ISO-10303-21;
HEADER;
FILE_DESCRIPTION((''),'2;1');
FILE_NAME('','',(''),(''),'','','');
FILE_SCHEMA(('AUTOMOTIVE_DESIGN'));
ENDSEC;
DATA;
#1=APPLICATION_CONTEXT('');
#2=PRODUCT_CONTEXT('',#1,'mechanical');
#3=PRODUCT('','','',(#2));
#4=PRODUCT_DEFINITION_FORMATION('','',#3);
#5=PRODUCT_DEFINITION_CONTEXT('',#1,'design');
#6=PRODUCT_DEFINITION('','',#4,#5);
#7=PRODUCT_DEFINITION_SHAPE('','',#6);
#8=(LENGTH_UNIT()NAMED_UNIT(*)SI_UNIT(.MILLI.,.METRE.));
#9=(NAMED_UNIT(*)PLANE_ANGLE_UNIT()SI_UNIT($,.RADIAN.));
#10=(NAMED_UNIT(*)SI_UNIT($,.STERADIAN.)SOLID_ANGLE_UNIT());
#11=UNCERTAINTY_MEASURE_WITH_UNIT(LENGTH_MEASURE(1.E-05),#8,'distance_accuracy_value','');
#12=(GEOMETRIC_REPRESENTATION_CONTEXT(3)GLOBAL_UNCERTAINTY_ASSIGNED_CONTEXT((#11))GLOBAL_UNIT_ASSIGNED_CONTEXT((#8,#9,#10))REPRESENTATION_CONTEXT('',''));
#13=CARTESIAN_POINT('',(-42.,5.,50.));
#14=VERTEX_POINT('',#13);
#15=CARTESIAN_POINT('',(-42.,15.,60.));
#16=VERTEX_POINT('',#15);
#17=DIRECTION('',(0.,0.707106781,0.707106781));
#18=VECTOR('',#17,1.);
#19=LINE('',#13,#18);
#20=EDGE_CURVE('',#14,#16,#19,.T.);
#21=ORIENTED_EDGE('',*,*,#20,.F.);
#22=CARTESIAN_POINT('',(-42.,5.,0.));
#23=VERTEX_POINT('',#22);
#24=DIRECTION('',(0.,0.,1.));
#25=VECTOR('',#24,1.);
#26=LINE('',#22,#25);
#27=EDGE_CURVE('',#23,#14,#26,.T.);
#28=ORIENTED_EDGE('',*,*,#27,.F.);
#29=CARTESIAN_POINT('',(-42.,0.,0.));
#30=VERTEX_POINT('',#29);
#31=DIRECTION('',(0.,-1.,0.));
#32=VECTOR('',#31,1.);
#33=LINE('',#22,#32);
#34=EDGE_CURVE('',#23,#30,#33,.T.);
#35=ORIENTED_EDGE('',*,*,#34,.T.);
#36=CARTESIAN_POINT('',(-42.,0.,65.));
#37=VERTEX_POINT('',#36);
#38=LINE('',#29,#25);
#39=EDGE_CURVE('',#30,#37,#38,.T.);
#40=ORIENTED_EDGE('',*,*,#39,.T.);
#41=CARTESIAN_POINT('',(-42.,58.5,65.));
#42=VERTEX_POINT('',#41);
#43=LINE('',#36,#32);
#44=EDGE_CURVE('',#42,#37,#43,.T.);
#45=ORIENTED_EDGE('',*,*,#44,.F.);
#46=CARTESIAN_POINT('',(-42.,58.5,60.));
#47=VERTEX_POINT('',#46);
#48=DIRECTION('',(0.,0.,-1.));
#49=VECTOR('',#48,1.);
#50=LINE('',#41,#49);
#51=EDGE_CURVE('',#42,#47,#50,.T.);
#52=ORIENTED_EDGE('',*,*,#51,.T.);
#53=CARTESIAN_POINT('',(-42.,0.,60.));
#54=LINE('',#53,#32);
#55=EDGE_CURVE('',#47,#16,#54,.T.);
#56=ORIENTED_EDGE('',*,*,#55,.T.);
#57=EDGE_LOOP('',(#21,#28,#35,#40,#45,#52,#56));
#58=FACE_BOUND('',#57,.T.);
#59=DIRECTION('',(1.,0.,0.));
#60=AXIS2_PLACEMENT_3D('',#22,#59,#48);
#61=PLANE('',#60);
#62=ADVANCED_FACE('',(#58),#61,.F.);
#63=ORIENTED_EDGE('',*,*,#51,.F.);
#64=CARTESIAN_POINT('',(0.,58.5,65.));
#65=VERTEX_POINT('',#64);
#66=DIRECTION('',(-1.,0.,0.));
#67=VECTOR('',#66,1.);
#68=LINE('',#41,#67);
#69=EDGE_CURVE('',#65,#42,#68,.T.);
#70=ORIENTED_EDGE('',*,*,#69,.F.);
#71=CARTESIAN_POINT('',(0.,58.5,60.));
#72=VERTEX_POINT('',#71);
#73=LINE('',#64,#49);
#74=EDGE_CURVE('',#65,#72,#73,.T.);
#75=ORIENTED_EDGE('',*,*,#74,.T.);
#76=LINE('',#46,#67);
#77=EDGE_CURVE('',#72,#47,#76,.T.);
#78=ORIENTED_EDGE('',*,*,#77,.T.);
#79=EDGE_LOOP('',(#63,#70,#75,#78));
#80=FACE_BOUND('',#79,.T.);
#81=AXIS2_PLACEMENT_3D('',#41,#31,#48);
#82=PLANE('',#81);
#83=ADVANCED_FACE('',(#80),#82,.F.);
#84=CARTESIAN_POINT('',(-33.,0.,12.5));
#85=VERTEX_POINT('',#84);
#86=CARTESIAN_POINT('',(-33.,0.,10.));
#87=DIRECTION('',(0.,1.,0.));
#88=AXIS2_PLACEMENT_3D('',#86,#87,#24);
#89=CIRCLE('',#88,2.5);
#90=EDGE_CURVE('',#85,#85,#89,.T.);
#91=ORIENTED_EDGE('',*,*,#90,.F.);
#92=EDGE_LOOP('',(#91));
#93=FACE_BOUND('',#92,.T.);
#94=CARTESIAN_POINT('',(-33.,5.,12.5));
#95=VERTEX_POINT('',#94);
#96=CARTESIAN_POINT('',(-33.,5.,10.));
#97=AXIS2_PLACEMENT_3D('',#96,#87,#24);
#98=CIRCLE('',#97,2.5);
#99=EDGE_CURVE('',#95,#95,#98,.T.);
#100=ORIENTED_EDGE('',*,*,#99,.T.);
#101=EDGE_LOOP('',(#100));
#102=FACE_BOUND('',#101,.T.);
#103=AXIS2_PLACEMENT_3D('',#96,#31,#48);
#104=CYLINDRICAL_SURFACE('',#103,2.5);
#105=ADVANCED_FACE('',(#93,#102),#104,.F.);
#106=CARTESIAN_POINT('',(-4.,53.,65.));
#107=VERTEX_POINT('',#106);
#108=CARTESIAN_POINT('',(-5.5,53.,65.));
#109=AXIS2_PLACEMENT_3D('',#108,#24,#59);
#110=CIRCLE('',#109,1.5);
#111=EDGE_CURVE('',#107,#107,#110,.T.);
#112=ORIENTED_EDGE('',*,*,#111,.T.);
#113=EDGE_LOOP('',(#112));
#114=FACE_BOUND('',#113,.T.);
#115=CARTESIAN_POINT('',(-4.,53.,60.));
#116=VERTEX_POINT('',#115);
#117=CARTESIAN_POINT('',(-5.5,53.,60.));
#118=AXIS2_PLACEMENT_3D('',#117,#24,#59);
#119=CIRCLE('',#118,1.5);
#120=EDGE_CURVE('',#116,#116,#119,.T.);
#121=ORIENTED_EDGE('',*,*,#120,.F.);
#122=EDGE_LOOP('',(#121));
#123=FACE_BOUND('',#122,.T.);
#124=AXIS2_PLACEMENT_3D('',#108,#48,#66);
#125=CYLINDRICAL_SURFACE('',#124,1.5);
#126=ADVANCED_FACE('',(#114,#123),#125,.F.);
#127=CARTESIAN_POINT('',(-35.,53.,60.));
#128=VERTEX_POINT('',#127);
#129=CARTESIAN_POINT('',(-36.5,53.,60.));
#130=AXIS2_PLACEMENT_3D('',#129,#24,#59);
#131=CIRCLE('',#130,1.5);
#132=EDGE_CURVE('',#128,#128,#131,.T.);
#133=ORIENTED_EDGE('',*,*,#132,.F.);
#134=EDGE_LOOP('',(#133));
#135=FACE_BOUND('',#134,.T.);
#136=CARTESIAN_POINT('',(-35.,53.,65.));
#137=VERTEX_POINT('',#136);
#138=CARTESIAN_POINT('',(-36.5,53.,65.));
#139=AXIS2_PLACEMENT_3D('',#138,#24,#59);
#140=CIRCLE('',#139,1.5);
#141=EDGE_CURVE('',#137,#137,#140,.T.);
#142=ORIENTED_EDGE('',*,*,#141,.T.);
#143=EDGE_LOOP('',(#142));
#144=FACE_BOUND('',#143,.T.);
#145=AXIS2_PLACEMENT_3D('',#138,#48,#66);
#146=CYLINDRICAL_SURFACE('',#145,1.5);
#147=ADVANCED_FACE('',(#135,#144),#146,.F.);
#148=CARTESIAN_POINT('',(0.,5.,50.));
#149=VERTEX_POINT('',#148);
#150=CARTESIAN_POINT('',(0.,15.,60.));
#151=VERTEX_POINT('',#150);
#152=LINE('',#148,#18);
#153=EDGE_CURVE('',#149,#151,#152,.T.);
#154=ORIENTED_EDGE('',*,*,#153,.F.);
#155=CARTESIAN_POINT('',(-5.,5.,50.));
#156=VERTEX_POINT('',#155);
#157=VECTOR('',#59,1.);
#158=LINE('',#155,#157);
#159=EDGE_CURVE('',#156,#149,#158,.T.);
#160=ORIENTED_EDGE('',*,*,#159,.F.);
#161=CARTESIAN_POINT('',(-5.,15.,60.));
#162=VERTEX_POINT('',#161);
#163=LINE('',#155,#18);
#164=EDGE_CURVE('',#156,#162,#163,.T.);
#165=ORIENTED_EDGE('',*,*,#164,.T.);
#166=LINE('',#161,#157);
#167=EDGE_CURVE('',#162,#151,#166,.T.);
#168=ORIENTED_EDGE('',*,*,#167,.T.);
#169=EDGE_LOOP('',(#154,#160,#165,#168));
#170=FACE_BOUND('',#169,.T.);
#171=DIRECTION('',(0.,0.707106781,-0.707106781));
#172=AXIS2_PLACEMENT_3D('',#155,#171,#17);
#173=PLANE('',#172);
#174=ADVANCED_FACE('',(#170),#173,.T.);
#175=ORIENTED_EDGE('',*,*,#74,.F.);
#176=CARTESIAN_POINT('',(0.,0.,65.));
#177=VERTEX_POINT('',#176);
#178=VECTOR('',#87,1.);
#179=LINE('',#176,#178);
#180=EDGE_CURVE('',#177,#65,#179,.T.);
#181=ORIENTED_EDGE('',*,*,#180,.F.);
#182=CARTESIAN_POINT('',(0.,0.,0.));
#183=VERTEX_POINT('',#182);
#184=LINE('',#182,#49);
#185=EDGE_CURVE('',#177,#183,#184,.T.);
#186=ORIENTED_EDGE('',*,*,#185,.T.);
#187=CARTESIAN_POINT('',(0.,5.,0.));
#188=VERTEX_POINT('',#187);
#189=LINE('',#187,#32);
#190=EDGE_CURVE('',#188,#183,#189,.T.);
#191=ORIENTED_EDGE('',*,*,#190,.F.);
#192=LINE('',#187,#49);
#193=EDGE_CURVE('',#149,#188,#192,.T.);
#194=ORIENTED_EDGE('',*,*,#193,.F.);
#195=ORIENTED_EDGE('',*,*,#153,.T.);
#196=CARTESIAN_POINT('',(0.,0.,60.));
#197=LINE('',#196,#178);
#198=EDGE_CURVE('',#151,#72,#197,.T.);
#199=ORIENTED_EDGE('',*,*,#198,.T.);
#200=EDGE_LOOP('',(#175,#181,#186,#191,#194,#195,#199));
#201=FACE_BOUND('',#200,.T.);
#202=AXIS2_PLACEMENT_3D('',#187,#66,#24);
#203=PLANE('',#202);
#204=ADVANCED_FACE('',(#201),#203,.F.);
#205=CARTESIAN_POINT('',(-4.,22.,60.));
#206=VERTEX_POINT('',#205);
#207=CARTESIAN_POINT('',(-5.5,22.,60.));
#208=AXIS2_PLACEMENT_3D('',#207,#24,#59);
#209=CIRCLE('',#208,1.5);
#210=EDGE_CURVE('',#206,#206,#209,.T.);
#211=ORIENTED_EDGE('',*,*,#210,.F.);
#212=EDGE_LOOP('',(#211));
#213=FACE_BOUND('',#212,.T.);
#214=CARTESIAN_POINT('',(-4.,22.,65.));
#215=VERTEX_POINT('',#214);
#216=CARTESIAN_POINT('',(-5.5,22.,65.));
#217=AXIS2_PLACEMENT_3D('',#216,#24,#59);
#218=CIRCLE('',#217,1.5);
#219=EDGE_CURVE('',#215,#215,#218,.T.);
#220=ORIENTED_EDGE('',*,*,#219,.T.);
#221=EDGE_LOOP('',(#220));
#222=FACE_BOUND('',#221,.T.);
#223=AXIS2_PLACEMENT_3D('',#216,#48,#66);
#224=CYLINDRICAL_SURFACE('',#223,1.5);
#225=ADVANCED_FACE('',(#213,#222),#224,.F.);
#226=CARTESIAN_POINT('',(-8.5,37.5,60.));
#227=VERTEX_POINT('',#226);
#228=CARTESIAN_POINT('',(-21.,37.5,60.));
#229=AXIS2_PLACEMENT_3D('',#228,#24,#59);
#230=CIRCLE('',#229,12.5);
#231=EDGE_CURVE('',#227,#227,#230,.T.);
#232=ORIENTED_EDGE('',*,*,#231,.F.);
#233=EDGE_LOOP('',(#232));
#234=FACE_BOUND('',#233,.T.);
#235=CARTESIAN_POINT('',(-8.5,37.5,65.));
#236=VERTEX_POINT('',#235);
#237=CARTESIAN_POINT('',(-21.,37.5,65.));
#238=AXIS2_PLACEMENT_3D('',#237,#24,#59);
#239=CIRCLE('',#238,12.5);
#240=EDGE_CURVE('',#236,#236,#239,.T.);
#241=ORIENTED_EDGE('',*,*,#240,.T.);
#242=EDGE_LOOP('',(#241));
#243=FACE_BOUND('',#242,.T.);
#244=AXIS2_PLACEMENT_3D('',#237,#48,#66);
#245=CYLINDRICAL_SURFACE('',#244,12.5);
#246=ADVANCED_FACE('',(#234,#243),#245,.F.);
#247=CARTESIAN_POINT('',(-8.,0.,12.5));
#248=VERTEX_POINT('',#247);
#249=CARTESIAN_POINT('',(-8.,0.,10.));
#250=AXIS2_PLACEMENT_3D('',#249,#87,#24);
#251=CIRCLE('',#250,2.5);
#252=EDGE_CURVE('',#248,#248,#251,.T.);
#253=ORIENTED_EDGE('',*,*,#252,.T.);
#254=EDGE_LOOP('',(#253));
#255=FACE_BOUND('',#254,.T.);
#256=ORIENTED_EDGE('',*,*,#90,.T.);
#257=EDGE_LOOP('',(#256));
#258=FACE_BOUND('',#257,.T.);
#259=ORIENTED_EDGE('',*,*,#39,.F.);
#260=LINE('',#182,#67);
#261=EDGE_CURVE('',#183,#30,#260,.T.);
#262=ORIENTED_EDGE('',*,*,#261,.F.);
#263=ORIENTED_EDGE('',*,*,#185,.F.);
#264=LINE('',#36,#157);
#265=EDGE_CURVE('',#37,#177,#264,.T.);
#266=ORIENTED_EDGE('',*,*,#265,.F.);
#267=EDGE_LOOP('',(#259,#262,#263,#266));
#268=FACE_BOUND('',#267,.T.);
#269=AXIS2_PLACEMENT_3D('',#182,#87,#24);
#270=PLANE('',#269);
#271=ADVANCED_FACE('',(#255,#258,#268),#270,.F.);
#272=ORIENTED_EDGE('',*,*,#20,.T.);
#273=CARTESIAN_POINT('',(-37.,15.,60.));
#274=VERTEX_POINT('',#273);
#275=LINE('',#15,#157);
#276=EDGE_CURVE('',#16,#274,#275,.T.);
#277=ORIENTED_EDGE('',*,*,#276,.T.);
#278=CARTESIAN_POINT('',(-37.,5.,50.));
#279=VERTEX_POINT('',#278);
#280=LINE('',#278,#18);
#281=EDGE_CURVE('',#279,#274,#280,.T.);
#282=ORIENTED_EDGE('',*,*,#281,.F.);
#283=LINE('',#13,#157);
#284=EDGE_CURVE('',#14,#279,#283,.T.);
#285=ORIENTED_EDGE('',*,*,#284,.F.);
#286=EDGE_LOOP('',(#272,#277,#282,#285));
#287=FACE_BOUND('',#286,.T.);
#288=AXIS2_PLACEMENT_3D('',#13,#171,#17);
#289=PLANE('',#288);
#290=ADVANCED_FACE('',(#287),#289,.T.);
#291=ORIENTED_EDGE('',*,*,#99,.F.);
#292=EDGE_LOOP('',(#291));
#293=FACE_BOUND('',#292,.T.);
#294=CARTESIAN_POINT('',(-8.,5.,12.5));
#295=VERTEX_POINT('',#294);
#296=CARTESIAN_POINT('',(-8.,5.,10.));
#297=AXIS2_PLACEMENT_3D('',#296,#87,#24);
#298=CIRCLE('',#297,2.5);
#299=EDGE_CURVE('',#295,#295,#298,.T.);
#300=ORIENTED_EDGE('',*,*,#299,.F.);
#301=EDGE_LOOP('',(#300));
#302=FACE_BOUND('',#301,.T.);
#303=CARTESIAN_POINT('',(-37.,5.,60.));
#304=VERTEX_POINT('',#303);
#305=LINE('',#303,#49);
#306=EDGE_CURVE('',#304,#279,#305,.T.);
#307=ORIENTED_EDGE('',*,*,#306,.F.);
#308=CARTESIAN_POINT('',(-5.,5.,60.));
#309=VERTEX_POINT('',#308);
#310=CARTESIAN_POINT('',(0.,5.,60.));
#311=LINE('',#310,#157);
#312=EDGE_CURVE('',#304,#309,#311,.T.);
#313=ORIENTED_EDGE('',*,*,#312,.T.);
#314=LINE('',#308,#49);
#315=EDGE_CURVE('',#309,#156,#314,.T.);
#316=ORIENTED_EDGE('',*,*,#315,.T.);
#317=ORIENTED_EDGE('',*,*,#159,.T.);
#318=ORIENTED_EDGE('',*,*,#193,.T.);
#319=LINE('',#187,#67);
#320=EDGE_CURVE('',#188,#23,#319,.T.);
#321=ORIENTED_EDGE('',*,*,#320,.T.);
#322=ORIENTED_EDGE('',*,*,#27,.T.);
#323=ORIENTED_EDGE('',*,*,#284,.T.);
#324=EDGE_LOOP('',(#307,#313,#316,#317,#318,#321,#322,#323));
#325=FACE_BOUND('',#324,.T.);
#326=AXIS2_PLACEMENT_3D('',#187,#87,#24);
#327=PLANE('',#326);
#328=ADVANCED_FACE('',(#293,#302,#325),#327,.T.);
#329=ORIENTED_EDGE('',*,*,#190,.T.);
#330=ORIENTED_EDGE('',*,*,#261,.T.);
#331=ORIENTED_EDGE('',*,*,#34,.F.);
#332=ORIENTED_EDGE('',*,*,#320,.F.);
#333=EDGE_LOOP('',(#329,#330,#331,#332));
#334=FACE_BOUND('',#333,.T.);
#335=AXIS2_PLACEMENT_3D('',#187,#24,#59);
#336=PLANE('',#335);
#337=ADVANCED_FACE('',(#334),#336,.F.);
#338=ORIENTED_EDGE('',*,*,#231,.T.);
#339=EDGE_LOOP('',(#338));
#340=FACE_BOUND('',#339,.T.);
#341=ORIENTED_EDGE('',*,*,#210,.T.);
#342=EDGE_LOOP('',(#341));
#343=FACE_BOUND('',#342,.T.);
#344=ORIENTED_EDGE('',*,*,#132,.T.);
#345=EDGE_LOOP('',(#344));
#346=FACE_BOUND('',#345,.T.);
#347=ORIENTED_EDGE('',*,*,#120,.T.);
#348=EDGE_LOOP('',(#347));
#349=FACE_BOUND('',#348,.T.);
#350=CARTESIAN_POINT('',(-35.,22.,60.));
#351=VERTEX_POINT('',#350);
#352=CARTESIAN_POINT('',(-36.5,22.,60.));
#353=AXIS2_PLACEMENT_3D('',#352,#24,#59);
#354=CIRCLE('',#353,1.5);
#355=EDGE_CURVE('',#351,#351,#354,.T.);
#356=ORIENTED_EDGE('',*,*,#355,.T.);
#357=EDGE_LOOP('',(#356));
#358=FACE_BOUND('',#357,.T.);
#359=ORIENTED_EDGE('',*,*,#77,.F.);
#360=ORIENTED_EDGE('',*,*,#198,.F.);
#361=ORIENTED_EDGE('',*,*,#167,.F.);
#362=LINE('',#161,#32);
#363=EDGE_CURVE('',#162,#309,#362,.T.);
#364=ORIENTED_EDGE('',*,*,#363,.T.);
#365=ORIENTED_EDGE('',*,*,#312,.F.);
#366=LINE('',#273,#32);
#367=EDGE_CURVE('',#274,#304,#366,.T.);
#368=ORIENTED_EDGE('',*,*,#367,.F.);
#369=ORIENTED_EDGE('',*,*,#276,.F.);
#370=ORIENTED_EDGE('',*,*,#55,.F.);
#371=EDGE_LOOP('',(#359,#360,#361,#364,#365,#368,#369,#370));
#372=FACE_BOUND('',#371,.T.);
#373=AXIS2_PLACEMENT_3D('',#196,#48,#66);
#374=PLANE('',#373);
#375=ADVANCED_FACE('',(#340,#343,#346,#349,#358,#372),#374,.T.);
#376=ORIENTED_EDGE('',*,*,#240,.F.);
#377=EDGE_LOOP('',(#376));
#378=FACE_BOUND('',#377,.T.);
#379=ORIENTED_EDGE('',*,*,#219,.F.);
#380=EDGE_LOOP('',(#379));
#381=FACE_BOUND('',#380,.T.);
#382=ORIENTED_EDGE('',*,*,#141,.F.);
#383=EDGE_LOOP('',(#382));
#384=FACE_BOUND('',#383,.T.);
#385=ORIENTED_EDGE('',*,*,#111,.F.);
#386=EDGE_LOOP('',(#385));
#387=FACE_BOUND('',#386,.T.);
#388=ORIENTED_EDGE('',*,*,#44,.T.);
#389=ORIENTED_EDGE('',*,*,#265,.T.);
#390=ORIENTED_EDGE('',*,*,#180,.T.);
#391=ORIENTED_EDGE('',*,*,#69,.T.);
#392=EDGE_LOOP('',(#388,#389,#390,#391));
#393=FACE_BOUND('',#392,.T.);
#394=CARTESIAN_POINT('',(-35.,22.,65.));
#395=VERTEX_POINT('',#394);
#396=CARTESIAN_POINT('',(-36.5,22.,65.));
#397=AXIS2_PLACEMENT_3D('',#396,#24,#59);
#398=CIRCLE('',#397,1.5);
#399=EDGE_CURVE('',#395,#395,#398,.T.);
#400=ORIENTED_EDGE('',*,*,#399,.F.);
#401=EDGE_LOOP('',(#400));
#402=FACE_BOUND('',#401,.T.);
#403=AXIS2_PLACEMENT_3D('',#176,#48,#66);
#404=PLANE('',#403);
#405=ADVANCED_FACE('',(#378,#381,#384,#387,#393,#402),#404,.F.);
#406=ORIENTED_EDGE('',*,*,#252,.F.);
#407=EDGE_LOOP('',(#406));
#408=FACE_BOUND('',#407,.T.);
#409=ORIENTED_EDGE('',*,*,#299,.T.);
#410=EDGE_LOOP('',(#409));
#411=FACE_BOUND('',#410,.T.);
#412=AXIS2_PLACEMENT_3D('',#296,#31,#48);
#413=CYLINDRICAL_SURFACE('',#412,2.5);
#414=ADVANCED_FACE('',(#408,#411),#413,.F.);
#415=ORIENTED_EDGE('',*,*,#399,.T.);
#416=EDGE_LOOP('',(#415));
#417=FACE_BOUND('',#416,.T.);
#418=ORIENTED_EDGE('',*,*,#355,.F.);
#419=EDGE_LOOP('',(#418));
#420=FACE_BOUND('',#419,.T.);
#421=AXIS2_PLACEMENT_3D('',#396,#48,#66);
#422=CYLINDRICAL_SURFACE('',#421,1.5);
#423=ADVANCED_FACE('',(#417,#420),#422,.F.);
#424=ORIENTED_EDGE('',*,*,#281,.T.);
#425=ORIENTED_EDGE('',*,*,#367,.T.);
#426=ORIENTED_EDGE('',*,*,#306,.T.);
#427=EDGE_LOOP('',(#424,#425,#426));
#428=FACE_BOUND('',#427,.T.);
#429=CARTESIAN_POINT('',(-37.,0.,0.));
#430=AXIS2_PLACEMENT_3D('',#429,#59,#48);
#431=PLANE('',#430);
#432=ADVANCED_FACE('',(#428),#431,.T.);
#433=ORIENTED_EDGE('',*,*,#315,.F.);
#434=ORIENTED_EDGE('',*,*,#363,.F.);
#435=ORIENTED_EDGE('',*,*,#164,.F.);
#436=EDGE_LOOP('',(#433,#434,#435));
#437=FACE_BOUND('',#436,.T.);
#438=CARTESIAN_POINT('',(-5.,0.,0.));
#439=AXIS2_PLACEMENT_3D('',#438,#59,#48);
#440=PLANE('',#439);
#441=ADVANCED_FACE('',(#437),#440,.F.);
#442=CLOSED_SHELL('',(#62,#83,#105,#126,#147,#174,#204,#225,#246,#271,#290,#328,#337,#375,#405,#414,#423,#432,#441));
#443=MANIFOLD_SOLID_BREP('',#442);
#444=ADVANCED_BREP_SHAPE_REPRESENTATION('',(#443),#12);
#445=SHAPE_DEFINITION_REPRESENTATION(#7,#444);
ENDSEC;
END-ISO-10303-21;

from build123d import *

# Parameters (mm, degrees)
SKETCH_1_W             = 60
SKETCH_1_H             = 42
SKETCH_1_R             = 2.5
EXTRUDE_1_DEPTH        = 5
SKETCH_2_W             = 42
SKETCH_2_H             = 58.5
SKETCH_2_R             = 12.5
SKETCH_2_R_2           = 1.5
EXTRUDE_2_DEPTH        = 5
EXTRUDE_3_DEPTH        = 5
PATTERN_LINEAR_1_COUNT = 2
PATTERN_LINEAR_1_PITCH = 37


with BuildPart() as part:
    # 草图1 → 凸台-拉伸1 (new body)
    with BuildSketch(Plane(origin=(0, 0, 0), x_dir=(0, 0, -1), z_dir=(0, 1, 0))):
        with Locations((-30, 21)):
            Rectangle(SKETCH_1_W, SKETCH_1_H)
        with Locations(Location((-10, 33, 0), (0, 0, 180))):
            Circle(SKETCH_1_R, mode=Mode.SUBTRACT)
        with Locations(Location((-10, 8, 0), (0, 0, 180))):
            Circle(SKETCH_1_R, mode=Mode.SUBTRACT)
    extrude(amount=EXTRUDE_1_DEPTH)

    # 草图2 → 凸台-拉伸2 (add)
    with BuildSketch(Plane.XY.offset(60)):
        with Locations((-21, 29.25)):
            Rectangle(SKETCH_2_W, SKETCH_2_H)
        with Locations((-21, 37.5)):
            Circle(SKETCH_2_R, mode=Mode.SUBTRACT)
        with Locations((-36.5, 53)):
            Circle(SKETCH_2_R_2, mode=Mode.SUBTRACT)
        with Locations((-36.5, 22)):
            Circle(SKETCH_2_R_2, mode=Mode.SUBTRACT)
        with Locations((-5.5, 53)):
            Circle(SKETCH_2_R_2, mode=Mode.SUBTRACT)
        with Locations((-5.5, 22)):
            Circle(SKETCH_2_R_2, mode=Mode.SUBTRACT)
    extrude(amount=EXTRUDE_2_DEPTH)

    # 草图3 → 凸台-拉伸3 (add)
    with BuildSketch(Plane(origin=(0, 0, 0), x_dir=(0, 0, -1), z_dir=(1, 0, 0))):
        Polygon((-60, 15), (-60, 5), (-50, 5), align=None)
    extrude_3 = extrude(amount=-EXTRUDE_3_DEPTH)

    # 阵列(线性)1: 凸台-拉伸3 ×2
    with Locations(*[(-i * PATTERN_LINEAR_1_PITCH, 0, 0) for i in range(1, PATTERN_LINEAR_1_COUNT)]):
        add(extrude_3)


solid = part.part
